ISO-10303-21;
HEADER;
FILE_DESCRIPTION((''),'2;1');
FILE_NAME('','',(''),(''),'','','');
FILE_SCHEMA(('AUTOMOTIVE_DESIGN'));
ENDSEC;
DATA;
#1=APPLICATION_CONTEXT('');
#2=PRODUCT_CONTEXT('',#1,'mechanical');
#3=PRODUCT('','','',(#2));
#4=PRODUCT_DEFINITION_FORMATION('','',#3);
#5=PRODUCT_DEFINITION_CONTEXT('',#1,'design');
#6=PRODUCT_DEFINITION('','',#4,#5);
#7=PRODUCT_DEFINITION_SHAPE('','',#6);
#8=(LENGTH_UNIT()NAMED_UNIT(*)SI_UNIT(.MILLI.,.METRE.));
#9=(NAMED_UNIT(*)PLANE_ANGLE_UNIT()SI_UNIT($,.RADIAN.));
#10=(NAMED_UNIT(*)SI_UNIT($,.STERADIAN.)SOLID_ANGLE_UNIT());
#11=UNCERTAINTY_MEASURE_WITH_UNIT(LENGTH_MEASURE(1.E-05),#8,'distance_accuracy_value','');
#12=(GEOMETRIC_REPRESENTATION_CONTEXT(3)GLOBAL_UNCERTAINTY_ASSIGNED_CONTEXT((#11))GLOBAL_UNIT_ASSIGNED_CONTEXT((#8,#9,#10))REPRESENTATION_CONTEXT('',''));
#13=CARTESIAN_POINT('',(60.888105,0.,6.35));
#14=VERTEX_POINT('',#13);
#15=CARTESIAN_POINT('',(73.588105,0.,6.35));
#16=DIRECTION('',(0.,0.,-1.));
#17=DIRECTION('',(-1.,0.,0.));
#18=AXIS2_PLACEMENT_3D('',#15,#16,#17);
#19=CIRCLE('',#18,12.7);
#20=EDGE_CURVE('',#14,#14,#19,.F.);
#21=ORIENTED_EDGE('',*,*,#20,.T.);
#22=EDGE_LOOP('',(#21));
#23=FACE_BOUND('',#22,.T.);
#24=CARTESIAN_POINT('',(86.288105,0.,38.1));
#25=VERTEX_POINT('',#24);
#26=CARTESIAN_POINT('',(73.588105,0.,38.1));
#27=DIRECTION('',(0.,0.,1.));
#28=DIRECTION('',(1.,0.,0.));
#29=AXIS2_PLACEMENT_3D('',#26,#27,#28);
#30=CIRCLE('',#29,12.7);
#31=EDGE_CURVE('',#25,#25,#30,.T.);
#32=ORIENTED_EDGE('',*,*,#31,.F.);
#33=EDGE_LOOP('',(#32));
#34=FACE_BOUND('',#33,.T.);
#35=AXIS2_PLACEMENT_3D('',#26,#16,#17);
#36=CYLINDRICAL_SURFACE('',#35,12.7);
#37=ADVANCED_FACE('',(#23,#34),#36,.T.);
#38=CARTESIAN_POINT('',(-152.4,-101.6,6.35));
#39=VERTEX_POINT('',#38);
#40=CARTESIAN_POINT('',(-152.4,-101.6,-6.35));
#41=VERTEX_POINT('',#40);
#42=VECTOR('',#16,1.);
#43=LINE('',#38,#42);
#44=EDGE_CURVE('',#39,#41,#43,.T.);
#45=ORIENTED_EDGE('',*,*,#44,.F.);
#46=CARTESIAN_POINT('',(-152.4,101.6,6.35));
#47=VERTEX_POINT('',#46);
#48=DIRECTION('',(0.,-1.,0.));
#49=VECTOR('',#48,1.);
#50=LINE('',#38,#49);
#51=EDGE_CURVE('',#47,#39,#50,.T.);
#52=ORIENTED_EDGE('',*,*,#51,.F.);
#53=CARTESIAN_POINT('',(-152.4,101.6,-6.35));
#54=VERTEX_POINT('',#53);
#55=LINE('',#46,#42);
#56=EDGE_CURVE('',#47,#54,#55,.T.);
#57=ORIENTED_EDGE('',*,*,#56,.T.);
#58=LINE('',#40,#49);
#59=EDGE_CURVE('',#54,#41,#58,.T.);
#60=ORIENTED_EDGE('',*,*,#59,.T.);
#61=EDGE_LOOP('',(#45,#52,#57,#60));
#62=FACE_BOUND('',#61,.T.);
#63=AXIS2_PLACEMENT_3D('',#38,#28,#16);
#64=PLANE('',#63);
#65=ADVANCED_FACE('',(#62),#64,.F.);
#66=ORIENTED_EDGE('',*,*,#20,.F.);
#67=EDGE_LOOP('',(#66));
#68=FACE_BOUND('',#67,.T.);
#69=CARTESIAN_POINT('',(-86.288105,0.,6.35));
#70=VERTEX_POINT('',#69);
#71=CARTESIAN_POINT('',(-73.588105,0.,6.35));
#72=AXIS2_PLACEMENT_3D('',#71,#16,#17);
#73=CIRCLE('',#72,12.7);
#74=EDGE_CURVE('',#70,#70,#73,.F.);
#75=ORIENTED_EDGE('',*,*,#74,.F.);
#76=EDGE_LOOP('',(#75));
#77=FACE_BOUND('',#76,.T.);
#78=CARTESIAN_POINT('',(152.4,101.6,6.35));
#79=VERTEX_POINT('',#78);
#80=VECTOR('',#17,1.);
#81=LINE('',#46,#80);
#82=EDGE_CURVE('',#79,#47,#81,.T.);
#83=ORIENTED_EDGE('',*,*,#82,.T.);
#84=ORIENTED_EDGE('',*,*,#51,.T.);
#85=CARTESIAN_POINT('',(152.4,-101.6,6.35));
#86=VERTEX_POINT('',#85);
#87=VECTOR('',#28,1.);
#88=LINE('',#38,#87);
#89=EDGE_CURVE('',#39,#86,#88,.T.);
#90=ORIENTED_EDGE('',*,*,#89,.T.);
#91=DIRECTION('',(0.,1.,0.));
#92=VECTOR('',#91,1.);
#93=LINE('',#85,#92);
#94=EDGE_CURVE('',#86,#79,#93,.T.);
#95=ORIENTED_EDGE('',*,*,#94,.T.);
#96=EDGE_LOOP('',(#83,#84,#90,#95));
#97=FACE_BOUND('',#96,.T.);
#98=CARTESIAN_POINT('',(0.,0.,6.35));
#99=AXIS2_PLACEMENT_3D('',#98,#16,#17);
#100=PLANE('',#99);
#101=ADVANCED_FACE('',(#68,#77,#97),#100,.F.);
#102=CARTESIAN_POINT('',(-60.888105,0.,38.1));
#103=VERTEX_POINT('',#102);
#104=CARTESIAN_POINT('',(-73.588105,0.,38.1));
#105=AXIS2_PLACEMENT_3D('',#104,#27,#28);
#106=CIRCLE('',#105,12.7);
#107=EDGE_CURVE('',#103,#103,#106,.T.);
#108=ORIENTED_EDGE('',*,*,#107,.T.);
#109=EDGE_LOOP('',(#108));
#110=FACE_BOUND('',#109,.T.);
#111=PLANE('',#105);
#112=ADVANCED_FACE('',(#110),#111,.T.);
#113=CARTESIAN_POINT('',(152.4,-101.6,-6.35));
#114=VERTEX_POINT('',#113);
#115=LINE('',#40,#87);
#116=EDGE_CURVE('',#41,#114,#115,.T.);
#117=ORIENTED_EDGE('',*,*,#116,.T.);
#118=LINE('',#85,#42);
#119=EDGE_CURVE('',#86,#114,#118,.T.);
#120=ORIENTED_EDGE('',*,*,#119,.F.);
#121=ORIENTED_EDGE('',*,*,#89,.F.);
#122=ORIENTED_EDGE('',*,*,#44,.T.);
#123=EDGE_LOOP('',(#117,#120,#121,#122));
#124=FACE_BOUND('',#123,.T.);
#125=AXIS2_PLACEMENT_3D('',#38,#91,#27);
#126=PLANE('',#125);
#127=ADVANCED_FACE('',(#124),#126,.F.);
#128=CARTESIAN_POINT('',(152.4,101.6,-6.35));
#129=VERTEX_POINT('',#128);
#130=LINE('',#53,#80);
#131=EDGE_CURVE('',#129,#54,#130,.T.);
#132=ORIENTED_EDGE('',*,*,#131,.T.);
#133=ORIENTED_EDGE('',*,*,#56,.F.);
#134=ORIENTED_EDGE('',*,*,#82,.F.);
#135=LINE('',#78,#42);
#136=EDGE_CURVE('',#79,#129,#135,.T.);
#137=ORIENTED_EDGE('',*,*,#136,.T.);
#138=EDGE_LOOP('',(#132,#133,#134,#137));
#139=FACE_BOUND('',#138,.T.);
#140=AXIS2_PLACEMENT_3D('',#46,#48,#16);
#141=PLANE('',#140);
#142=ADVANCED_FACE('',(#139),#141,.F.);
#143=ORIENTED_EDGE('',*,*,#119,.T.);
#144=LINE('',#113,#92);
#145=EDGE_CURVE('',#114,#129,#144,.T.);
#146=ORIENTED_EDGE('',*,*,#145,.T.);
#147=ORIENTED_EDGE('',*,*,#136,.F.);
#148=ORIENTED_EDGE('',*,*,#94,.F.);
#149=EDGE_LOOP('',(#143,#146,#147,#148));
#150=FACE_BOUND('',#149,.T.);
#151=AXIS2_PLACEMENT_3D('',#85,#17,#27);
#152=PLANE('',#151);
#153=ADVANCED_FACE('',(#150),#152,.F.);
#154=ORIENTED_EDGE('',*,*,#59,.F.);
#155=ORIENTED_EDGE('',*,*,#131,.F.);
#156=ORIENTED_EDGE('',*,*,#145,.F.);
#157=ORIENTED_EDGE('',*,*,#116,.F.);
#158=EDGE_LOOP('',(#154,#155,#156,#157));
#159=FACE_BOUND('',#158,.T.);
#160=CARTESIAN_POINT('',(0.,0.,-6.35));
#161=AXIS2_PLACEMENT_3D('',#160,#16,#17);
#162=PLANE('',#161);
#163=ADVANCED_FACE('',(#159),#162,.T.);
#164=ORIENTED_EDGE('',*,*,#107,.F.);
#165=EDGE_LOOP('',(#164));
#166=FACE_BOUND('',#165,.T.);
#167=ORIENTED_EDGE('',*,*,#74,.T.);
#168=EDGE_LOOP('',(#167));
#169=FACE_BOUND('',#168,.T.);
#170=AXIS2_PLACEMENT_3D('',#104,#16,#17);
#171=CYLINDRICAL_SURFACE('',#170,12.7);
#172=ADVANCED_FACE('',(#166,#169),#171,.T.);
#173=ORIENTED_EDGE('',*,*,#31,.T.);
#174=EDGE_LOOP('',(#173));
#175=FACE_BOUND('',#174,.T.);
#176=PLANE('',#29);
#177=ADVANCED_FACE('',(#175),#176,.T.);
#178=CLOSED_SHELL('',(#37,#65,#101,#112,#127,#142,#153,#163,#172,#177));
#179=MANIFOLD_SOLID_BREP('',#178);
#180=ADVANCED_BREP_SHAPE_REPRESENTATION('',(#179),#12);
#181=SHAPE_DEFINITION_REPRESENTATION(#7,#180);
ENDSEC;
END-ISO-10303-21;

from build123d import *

# Parameters (mm, degrees)
SKETCH1_W           = 304.8
SKETCH1_H           = 203.2
BOSS_EXTRUDE1_DEPTH = 6.35
SKETCH2_R           = 12.7
BOSS_EXTRUDE2_DEPTH = 31.75


with BuildPart() as part:
    # Sketch1 → Boss-Extrude1 (new body, symmetric)
    with BuildSketch(Plane.XY):
        Rectangle(SKETCH1_W, SKETCH1_H)
    extrude(amount=BOSS_EXTRUDE1_DEPTH, both=True)

    # Sketch2 → Boss-Extrude2 (add)
    with BuildSketch(Plane.XY.offset(6.35)):
        with Locations((73.588104792, 0)):
            Circle(SKETCH2_R)
        with Locations((-73.588104792, 0)):
            Circle(SKETCH2_R)
    extrude(amount=BOSS_EXTRUDE2_DEPTH)


solid = part.part
